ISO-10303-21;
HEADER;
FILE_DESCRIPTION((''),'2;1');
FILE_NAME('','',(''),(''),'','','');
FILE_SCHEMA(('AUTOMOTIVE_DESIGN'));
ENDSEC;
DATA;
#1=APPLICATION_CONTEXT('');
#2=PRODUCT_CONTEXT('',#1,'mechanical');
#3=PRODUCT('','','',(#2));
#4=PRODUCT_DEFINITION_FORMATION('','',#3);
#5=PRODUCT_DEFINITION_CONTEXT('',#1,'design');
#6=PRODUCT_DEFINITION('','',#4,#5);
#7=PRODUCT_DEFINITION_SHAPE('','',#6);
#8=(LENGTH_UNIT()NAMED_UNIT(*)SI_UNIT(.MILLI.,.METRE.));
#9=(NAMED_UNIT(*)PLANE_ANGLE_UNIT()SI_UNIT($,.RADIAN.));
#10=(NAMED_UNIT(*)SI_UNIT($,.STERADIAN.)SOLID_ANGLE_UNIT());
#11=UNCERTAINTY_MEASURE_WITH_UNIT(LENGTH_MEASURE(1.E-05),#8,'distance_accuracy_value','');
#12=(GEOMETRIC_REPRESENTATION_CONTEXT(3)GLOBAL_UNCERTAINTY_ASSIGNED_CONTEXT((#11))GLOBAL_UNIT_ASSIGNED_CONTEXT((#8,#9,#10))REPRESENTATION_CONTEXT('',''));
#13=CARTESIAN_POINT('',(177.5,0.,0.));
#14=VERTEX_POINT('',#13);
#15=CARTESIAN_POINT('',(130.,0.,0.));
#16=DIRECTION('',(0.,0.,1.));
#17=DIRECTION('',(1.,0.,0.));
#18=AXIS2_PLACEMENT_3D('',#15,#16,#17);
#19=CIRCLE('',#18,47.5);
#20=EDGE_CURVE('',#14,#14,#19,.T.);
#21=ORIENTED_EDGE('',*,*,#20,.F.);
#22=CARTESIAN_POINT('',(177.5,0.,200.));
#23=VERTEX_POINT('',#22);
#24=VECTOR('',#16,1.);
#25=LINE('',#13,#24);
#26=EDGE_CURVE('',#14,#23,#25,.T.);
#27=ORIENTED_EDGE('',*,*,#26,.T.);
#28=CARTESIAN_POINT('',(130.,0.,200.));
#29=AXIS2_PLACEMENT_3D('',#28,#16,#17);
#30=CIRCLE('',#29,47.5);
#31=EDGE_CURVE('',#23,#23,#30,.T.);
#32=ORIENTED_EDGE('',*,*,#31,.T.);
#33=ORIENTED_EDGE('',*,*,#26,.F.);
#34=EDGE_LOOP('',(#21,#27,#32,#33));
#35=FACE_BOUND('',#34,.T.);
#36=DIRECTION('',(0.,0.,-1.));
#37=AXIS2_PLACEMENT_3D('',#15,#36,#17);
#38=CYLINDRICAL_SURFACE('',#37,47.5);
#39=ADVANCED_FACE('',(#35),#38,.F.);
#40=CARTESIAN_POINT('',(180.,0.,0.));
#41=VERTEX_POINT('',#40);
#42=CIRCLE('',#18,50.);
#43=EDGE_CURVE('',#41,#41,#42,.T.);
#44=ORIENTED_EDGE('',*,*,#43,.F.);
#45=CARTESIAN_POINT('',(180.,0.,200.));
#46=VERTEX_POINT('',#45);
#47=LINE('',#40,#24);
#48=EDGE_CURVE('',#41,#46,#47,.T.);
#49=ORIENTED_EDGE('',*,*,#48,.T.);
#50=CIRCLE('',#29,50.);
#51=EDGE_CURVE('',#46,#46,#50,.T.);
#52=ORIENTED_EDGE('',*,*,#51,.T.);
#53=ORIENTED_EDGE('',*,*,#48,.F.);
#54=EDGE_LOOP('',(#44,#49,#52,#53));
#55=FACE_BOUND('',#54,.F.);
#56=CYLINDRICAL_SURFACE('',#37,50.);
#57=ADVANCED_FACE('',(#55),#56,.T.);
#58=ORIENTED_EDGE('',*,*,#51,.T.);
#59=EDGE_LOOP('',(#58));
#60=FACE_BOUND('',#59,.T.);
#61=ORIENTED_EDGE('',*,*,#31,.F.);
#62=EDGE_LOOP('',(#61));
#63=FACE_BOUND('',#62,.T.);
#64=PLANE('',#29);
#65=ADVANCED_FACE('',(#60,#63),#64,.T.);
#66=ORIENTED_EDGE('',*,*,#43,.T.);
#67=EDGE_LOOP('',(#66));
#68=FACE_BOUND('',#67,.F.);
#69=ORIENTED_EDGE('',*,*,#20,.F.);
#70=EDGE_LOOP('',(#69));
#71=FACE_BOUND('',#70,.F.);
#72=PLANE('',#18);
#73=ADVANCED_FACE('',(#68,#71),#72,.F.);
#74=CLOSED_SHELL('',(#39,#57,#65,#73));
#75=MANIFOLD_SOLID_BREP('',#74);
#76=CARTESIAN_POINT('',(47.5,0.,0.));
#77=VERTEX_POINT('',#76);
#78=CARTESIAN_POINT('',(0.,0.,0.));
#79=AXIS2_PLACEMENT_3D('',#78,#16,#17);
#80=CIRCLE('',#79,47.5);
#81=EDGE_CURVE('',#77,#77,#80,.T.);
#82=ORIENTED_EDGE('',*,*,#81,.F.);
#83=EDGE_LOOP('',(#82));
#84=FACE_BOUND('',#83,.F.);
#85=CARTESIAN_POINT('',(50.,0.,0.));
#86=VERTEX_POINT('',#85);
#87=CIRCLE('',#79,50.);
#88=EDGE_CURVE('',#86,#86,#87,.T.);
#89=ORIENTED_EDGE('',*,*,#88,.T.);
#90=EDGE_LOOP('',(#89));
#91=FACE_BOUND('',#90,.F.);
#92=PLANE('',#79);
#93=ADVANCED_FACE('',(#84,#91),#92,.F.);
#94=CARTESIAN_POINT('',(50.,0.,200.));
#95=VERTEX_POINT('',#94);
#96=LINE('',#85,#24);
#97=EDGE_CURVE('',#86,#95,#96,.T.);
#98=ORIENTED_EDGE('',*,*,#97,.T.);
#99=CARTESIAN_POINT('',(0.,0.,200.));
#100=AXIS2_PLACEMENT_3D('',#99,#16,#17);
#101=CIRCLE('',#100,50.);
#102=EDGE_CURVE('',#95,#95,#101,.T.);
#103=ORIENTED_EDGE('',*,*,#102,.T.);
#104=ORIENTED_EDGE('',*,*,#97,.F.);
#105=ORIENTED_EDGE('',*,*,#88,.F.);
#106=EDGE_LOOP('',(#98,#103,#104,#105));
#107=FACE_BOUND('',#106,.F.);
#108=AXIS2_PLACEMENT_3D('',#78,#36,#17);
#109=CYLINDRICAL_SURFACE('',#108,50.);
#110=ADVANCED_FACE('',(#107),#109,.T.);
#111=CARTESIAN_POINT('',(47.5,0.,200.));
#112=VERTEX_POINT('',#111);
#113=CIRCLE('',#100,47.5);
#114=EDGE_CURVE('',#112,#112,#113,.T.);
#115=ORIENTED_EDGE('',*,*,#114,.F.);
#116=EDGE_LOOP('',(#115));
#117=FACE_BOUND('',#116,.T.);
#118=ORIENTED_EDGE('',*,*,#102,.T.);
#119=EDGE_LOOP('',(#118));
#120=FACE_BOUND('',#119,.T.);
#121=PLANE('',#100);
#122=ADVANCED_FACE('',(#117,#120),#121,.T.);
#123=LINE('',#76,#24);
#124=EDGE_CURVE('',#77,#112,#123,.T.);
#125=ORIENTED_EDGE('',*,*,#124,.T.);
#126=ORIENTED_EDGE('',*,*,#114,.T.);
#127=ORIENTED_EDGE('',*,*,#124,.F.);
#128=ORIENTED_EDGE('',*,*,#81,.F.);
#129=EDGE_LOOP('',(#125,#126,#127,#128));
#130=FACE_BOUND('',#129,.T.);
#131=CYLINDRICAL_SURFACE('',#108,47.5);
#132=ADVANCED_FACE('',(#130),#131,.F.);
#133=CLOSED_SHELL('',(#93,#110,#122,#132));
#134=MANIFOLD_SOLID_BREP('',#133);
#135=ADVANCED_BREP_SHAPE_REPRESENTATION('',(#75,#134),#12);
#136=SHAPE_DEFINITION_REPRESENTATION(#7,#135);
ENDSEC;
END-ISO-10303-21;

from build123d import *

# Parameters (mm, degrees)
F0_R     = 50
F0_R_2   = 47.5
F1_DEPTH = 200


with BuildPart() as f1:
    # F0 (on Top) → F1 (new body)
    with BuildSketch(Plane.XY):
        Circle(F0_R)
        Circle(F0_R_2, mode=Mode.SUBTRACT)
        with Locations((130, 0)):
            Circle(F0_R)
        with Locations((130, 0)):
            Circle(F0_R_2, mode=Mode.SUBTRACT)
    extrude(amount=F1_DEPTH)


solid = f1.part
